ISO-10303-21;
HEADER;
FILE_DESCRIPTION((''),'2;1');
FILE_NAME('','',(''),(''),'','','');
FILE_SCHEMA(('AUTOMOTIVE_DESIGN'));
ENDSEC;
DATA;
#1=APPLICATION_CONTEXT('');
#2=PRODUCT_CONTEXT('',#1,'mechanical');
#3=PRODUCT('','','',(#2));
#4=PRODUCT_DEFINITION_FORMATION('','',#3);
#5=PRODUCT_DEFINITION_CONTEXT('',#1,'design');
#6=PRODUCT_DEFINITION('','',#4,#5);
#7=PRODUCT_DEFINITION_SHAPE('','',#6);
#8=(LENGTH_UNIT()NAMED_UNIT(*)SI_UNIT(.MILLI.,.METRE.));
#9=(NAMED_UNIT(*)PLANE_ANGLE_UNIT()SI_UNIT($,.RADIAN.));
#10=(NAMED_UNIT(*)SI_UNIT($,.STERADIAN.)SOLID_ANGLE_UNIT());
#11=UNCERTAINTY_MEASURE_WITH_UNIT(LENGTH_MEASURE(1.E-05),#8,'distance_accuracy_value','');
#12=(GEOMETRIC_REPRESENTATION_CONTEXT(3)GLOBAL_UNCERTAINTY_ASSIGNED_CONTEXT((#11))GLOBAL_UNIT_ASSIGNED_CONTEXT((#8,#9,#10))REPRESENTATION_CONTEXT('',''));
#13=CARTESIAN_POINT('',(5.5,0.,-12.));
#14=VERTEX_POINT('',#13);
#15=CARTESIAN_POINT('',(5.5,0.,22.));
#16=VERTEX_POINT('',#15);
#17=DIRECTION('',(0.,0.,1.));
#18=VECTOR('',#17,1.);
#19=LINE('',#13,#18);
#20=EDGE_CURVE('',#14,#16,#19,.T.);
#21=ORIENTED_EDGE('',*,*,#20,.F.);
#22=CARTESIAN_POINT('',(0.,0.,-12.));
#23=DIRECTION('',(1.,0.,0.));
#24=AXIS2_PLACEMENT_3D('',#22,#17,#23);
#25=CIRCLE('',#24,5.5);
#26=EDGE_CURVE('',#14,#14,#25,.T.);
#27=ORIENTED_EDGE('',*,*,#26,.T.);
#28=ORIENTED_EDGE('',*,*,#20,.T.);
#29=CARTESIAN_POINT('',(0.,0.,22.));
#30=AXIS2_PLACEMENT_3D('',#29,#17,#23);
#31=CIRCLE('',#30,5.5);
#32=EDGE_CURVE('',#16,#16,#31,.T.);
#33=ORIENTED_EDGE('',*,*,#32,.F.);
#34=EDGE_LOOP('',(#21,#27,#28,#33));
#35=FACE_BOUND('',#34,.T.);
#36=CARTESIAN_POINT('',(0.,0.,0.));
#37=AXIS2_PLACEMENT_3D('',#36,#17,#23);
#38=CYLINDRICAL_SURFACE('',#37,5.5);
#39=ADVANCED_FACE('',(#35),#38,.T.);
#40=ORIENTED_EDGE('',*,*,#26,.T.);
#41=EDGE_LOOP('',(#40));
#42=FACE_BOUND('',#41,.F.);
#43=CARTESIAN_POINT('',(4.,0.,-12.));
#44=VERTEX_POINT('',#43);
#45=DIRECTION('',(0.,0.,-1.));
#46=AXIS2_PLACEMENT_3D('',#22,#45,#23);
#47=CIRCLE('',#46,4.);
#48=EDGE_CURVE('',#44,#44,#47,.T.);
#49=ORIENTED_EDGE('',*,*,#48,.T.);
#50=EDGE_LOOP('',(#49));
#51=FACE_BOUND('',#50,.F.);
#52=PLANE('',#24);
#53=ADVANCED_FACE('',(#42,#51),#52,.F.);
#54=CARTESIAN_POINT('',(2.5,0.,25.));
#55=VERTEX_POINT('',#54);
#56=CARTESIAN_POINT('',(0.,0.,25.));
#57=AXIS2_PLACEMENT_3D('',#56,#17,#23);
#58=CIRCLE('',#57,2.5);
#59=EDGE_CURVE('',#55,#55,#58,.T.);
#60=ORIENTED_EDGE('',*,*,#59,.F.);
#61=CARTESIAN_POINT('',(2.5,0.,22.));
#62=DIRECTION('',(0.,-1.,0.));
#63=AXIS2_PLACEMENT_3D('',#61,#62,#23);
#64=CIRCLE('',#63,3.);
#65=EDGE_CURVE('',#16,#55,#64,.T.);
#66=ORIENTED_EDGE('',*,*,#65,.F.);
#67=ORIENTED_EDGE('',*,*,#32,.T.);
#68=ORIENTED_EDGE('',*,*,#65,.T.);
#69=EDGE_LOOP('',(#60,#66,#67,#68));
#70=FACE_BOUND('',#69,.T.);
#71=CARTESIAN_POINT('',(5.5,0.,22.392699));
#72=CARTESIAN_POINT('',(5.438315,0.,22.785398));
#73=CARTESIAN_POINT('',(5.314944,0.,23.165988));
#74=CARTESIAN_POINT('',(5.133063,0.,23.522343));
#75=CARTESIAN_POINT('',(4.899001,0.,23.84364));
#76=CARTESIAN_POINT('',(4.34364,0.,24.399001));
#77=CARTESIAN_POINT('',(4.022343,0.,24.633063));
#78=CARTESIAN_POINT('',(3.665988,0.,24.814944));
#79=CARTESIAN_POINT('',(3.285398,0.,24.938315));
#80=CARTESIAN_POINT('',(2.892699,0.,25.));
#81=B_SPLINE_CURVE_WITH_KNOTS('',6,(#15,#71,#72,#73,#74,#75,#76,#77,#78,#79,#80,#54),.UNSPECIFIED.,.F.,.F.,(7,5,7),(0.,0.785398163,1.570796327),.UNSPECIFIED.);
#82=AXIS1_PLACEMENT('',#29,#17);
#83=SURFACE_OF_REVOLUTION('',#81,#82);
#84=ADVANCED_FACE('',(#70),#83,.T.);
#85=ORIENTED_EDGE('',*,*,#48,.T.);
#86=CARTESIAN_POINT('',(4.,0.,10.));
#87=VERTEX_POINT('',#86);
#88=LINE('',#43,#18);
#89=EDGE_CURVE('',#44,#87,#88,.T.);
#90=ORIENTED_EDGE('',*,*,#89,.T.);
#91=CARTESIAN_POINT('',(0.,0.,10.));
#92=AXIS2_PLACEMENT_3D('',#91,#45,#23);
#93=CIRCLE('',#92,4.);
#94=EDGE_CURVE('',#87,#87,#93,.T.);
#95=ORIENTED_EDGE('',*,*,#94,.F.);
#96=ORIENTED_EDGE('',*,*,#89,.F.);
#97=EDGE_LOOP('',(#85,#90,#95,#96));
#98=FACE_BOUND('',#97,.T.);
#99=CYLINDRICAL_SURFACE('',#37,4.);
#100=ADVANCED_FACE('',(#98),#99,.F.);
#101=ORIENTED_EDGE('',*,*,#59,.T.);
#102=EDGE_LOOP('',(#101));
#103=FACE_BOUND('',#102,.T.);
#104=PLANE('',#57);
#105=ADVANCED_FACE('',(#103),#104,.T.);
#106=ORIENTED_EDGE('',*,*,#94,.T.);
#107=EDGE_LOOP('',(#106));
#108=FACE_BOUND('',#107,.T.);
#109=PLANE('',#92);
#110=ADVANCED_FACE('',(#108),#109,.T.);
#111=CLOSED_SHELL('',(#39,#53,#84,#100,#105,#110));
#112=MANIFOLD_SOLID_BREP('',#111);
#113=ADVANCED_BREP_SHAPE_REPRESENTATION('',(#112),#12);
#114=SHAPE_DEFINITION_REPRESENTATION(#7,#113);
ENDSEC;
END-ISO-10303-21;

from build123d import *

# Parameters (mm, degrees)
F0_R     = 5.5
F1_DEPTH = 25
F2_R     = 4
F3_DEPTH = 10
F4_R     = 3
F5_DEPTH = 12


with BuildPart() as f1:
    # F0 (on Top) → F1 (new body)
    with BuildSketch(Plane.XY):
        Circle(F0_R)
    extrude(amount=F1_DEPTH)

    # F2 (on face) → F3 (cut)
    with BuildSketch(Plane(origin=(0, 0, 0), x_dir=(1, 0, 0), z_dir=(0, 0, -1))):
        Circle(F2_R)
    extrude(amount=-F3_DEPTH, mode=Mode.SUBTRACT)

    # F4
    f4_edges = [f1.edges().sort_by_distance(p)[0] for p in [
        (-5.5, 0, 25),
    ]]
    fillet(f4_edges, radius=F4_R)

    # F5 (add): a face of the model
    f5_faces = [f1.faces().sort_by_distance(p)[0] for p in [
        (-5.3444365081, 0, 0),
    ]]
    extrude(f5_faces, amount=F5_DEPTH)


solid = f1.part
